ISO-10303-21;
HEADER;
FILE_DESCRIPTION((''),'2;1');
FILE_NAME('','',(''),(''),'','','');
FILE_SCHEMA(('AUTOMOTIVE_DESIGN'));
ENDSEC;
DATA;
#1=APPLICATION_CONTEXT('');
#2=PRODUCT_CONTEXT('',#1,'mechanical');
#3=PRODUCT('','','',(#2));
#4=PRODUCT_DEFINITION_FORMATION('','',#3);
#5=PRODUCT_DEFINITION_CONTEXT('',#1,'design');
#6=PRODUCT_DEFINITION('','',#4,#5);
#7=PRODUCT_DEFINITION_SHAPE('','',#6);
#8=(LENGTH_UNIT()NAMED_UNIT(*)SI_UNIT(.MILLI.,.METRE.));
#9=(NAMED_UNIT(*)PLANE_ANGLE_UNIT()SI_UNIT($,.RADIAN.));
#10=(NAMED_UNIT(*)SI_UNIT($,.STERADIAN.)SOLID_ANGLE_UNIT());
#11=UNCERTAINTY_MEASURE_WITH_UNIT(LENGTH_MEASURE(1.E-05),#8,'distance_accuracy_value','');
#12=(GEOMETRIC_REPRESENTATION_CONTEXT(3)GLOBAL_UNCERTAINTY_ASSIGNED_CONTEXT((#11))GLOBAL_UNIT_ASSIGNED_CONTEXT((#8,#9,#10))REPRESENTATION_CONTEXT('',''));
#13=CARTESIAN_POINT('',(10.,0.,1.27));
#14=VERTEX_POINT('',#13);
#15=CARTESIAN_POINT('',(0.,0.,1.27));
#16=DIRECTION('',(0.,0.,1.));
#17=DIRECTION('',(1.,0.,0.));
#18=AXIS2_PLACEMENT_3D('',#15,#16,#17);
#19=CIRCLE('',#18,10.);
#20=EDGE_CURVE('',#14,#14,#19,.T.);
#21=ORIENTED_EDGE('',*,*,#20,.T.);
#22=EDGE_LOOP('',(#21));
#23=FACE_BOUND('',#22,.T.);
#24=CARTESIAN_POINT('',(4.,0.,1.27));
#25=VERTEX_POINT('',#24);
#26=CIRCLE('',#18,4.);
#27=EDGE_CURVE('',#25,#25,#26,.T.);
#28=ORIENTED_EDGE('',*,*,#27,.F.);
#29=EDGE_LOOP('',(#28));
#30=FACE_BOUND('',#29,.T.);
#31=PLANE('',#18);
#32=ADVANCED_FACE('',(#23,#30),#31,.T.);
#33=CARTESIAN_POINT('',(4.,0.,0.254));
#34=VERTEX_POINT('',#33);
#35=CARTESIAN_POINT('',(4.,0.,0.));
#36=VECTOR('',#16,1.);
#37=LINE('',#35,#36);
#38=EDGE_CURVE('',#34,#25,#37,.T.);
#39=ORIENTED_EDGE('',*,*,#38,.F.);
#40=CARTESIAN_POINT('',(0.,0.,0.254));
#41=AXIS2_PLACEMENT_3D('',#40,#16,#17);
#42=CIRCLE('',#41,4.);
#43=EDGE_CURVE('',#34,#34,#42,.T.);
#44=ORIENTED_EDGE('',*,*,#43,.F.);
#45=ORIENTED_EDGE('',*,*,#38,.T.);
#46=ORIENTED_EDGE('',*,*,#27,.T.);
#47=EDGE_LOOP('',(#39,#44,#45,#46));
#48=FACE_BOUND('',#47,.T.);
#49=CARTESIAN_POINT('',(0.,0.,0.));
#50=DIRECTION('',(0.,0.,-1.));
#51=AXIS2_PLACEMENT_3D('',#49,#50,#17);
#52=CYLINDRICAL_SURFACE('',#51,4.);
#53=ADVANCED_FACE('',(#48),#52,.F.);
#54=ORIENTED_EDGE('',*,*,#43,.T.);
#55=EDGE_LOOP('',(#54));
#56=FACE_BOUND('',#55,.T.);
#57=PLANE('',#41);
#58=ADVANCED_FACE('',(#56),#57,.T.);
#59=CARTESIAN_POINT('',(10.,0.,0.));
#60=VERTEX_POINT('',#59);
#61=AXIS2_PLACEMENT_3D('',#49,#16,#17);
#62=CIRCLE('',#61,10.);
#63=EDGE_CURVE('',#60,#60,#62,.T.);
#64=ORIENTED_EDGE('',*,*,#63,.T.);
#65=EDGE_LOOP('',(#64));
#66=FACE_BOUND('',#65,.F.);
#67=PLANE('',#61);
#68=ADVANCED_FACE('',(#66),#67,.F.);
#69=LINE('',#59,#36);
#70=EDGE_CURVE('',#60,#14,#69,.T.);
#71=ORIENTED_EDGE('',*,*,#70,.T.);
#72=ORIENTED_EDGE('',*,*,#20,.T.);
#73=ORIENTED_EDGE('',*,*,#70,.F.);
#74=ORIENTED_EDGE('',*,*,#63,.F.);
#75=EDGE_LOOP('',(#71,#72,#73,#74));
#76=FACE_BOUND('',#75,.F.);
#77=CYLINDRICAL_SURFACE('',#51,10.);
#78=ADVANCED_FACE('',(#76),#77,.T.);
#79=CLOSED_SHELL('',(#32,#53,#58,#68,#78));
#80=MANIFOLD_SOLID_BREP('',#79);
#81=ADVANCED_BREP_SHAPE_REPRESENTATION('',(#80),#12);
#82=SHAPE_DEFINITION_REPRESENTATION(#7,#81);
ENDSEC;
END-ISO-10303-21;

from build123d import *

# Parameters (mm, degrees)
F0_R     = 10
F0_R_2   = 4
F1_DEPTH = 1.27
F2_DEPTH = 0.254


with BuildPart() as f1:
    # F0 (on Top) → F1 (new body)
    with BuildSketch(Plane.XY):
        Circle(F0_R)
        Circle(F0_R_2, mode=Mode.SUBTRACT)
    extrude(amount=F1_DEPTH)

    # F0 (on Top) → F2 (join)
    with BuildSketch(Plane.XY):
        Circle(F0_R_2)
    extrude(amount=F2_DEPTH)


solid = f1.part
